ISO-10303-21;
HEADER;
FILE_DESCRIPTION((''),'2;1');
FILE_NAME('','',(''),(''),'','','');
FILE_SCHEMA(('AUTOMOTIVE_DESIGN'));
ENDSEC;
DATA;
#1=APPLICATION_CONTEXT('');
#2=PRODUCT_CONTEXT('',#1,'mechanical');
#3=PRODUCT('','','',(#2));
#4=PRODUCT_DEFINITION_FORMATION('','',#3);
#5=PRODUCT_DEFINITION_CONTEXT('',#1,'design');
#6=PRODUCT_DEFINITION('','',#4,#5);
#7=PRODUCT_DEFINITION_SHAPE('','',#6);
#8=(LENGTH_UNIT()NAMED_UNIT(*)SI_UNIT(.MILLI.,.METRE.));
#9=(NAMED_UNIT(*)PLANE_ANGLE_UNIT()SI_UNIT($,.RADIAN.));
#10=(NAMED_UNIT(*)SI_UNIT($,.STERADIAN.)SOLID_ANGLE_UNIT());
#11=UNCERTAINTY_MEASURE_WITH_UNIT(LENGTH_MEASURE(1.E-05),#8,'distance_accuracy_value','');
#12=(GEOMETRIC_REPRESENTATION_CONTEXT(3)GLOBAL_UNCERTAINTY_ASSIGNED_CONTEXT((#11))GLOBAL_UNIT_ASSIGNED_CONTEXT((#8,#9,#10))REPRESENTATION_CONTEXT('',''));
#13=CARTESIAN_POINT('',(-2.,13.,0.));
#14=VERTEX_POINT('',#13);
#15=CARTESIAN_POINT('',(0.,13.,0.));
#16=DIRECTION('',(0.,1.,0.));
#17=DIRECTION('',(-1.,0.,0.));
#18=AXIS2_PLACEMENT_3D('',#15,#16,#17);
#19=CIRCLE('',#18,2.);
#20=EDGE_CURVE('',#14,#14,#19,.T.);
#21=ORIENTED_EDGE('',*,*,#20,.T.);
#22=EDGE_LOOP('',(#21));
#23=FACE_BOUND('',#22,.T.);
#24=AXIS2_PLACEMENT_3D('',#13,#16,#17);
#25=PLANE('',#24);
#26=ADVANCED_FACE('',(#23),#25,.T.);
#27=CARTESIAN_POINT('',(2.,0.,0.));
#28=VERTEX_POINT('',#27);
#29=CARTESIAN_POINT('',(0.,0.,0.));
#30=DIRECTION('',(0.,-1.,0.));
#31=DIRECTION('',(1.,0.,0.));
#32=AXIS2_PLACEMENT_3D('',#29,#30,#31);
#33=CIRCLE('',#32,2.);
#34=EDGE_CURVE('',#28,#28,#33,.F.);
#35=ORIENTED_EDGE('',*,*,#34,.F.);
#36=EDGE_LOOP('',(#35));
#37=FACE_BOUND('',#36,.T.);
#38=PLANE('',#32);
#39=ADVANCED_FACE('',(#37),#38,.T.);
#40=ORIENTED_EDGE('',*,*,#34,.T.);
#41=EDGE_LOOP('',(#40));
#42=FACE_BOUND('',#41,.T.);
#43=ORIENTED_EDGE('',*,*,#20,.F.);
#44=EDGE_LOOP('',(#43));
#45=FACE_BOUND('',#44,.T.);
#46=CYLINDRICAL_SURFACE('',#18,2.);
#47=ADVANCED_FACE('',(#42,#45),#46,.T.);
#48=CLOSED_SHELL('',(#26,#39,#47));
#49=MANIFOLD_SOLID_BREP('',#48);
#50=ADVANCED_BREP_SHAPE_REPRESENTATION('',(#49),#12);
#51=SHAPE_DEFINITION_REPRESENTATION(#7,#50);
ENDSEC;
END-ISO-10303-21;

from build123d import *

# Parameters (mm, degrees)
CUT_EXTRUDE1_REACH = 3
SKETCH2_R          = 3
SKETCH2_R_2        = 2


with BuildPart() as part:
    # Sketch1 → Revolve1 (revolve)
    with BuildSketch(Plane.XY):
        Polygon((0, 0), (-3, 0), (-3, 1), (-2, 1), (-2, 13), (0, 13), align=None)
    revolve(axis=Axis((0, 13, 0), (0, -1, 0)))

    # Sketch2 → Cut-Extrude1 (cut, up to next)
    with BuildSketch(Plane(origin=(0, 1, 0), x_dir=(1, 0, 0), z_dir=(0, 1, 0)), mode=Mode.PRIVATE) as cut_extrude1_sk1:
        Circle(SKETCH2_R)
        Circle(SKETCH2_R_2, mode=Mode.SUBTRACT)
    cut_extrude1_tool1 = extrude(cut_extrude1_sk1.sketch, amount=-CUT_EXTRUDE1_REACH, mode=Mode.PRIVATE) & part.part
    add(cut_extrude1_tool1.solids().sort_by_distance((-2.915147, 1, 0))[0], mode=Mode.SUBTRACT)


solid = part.part
